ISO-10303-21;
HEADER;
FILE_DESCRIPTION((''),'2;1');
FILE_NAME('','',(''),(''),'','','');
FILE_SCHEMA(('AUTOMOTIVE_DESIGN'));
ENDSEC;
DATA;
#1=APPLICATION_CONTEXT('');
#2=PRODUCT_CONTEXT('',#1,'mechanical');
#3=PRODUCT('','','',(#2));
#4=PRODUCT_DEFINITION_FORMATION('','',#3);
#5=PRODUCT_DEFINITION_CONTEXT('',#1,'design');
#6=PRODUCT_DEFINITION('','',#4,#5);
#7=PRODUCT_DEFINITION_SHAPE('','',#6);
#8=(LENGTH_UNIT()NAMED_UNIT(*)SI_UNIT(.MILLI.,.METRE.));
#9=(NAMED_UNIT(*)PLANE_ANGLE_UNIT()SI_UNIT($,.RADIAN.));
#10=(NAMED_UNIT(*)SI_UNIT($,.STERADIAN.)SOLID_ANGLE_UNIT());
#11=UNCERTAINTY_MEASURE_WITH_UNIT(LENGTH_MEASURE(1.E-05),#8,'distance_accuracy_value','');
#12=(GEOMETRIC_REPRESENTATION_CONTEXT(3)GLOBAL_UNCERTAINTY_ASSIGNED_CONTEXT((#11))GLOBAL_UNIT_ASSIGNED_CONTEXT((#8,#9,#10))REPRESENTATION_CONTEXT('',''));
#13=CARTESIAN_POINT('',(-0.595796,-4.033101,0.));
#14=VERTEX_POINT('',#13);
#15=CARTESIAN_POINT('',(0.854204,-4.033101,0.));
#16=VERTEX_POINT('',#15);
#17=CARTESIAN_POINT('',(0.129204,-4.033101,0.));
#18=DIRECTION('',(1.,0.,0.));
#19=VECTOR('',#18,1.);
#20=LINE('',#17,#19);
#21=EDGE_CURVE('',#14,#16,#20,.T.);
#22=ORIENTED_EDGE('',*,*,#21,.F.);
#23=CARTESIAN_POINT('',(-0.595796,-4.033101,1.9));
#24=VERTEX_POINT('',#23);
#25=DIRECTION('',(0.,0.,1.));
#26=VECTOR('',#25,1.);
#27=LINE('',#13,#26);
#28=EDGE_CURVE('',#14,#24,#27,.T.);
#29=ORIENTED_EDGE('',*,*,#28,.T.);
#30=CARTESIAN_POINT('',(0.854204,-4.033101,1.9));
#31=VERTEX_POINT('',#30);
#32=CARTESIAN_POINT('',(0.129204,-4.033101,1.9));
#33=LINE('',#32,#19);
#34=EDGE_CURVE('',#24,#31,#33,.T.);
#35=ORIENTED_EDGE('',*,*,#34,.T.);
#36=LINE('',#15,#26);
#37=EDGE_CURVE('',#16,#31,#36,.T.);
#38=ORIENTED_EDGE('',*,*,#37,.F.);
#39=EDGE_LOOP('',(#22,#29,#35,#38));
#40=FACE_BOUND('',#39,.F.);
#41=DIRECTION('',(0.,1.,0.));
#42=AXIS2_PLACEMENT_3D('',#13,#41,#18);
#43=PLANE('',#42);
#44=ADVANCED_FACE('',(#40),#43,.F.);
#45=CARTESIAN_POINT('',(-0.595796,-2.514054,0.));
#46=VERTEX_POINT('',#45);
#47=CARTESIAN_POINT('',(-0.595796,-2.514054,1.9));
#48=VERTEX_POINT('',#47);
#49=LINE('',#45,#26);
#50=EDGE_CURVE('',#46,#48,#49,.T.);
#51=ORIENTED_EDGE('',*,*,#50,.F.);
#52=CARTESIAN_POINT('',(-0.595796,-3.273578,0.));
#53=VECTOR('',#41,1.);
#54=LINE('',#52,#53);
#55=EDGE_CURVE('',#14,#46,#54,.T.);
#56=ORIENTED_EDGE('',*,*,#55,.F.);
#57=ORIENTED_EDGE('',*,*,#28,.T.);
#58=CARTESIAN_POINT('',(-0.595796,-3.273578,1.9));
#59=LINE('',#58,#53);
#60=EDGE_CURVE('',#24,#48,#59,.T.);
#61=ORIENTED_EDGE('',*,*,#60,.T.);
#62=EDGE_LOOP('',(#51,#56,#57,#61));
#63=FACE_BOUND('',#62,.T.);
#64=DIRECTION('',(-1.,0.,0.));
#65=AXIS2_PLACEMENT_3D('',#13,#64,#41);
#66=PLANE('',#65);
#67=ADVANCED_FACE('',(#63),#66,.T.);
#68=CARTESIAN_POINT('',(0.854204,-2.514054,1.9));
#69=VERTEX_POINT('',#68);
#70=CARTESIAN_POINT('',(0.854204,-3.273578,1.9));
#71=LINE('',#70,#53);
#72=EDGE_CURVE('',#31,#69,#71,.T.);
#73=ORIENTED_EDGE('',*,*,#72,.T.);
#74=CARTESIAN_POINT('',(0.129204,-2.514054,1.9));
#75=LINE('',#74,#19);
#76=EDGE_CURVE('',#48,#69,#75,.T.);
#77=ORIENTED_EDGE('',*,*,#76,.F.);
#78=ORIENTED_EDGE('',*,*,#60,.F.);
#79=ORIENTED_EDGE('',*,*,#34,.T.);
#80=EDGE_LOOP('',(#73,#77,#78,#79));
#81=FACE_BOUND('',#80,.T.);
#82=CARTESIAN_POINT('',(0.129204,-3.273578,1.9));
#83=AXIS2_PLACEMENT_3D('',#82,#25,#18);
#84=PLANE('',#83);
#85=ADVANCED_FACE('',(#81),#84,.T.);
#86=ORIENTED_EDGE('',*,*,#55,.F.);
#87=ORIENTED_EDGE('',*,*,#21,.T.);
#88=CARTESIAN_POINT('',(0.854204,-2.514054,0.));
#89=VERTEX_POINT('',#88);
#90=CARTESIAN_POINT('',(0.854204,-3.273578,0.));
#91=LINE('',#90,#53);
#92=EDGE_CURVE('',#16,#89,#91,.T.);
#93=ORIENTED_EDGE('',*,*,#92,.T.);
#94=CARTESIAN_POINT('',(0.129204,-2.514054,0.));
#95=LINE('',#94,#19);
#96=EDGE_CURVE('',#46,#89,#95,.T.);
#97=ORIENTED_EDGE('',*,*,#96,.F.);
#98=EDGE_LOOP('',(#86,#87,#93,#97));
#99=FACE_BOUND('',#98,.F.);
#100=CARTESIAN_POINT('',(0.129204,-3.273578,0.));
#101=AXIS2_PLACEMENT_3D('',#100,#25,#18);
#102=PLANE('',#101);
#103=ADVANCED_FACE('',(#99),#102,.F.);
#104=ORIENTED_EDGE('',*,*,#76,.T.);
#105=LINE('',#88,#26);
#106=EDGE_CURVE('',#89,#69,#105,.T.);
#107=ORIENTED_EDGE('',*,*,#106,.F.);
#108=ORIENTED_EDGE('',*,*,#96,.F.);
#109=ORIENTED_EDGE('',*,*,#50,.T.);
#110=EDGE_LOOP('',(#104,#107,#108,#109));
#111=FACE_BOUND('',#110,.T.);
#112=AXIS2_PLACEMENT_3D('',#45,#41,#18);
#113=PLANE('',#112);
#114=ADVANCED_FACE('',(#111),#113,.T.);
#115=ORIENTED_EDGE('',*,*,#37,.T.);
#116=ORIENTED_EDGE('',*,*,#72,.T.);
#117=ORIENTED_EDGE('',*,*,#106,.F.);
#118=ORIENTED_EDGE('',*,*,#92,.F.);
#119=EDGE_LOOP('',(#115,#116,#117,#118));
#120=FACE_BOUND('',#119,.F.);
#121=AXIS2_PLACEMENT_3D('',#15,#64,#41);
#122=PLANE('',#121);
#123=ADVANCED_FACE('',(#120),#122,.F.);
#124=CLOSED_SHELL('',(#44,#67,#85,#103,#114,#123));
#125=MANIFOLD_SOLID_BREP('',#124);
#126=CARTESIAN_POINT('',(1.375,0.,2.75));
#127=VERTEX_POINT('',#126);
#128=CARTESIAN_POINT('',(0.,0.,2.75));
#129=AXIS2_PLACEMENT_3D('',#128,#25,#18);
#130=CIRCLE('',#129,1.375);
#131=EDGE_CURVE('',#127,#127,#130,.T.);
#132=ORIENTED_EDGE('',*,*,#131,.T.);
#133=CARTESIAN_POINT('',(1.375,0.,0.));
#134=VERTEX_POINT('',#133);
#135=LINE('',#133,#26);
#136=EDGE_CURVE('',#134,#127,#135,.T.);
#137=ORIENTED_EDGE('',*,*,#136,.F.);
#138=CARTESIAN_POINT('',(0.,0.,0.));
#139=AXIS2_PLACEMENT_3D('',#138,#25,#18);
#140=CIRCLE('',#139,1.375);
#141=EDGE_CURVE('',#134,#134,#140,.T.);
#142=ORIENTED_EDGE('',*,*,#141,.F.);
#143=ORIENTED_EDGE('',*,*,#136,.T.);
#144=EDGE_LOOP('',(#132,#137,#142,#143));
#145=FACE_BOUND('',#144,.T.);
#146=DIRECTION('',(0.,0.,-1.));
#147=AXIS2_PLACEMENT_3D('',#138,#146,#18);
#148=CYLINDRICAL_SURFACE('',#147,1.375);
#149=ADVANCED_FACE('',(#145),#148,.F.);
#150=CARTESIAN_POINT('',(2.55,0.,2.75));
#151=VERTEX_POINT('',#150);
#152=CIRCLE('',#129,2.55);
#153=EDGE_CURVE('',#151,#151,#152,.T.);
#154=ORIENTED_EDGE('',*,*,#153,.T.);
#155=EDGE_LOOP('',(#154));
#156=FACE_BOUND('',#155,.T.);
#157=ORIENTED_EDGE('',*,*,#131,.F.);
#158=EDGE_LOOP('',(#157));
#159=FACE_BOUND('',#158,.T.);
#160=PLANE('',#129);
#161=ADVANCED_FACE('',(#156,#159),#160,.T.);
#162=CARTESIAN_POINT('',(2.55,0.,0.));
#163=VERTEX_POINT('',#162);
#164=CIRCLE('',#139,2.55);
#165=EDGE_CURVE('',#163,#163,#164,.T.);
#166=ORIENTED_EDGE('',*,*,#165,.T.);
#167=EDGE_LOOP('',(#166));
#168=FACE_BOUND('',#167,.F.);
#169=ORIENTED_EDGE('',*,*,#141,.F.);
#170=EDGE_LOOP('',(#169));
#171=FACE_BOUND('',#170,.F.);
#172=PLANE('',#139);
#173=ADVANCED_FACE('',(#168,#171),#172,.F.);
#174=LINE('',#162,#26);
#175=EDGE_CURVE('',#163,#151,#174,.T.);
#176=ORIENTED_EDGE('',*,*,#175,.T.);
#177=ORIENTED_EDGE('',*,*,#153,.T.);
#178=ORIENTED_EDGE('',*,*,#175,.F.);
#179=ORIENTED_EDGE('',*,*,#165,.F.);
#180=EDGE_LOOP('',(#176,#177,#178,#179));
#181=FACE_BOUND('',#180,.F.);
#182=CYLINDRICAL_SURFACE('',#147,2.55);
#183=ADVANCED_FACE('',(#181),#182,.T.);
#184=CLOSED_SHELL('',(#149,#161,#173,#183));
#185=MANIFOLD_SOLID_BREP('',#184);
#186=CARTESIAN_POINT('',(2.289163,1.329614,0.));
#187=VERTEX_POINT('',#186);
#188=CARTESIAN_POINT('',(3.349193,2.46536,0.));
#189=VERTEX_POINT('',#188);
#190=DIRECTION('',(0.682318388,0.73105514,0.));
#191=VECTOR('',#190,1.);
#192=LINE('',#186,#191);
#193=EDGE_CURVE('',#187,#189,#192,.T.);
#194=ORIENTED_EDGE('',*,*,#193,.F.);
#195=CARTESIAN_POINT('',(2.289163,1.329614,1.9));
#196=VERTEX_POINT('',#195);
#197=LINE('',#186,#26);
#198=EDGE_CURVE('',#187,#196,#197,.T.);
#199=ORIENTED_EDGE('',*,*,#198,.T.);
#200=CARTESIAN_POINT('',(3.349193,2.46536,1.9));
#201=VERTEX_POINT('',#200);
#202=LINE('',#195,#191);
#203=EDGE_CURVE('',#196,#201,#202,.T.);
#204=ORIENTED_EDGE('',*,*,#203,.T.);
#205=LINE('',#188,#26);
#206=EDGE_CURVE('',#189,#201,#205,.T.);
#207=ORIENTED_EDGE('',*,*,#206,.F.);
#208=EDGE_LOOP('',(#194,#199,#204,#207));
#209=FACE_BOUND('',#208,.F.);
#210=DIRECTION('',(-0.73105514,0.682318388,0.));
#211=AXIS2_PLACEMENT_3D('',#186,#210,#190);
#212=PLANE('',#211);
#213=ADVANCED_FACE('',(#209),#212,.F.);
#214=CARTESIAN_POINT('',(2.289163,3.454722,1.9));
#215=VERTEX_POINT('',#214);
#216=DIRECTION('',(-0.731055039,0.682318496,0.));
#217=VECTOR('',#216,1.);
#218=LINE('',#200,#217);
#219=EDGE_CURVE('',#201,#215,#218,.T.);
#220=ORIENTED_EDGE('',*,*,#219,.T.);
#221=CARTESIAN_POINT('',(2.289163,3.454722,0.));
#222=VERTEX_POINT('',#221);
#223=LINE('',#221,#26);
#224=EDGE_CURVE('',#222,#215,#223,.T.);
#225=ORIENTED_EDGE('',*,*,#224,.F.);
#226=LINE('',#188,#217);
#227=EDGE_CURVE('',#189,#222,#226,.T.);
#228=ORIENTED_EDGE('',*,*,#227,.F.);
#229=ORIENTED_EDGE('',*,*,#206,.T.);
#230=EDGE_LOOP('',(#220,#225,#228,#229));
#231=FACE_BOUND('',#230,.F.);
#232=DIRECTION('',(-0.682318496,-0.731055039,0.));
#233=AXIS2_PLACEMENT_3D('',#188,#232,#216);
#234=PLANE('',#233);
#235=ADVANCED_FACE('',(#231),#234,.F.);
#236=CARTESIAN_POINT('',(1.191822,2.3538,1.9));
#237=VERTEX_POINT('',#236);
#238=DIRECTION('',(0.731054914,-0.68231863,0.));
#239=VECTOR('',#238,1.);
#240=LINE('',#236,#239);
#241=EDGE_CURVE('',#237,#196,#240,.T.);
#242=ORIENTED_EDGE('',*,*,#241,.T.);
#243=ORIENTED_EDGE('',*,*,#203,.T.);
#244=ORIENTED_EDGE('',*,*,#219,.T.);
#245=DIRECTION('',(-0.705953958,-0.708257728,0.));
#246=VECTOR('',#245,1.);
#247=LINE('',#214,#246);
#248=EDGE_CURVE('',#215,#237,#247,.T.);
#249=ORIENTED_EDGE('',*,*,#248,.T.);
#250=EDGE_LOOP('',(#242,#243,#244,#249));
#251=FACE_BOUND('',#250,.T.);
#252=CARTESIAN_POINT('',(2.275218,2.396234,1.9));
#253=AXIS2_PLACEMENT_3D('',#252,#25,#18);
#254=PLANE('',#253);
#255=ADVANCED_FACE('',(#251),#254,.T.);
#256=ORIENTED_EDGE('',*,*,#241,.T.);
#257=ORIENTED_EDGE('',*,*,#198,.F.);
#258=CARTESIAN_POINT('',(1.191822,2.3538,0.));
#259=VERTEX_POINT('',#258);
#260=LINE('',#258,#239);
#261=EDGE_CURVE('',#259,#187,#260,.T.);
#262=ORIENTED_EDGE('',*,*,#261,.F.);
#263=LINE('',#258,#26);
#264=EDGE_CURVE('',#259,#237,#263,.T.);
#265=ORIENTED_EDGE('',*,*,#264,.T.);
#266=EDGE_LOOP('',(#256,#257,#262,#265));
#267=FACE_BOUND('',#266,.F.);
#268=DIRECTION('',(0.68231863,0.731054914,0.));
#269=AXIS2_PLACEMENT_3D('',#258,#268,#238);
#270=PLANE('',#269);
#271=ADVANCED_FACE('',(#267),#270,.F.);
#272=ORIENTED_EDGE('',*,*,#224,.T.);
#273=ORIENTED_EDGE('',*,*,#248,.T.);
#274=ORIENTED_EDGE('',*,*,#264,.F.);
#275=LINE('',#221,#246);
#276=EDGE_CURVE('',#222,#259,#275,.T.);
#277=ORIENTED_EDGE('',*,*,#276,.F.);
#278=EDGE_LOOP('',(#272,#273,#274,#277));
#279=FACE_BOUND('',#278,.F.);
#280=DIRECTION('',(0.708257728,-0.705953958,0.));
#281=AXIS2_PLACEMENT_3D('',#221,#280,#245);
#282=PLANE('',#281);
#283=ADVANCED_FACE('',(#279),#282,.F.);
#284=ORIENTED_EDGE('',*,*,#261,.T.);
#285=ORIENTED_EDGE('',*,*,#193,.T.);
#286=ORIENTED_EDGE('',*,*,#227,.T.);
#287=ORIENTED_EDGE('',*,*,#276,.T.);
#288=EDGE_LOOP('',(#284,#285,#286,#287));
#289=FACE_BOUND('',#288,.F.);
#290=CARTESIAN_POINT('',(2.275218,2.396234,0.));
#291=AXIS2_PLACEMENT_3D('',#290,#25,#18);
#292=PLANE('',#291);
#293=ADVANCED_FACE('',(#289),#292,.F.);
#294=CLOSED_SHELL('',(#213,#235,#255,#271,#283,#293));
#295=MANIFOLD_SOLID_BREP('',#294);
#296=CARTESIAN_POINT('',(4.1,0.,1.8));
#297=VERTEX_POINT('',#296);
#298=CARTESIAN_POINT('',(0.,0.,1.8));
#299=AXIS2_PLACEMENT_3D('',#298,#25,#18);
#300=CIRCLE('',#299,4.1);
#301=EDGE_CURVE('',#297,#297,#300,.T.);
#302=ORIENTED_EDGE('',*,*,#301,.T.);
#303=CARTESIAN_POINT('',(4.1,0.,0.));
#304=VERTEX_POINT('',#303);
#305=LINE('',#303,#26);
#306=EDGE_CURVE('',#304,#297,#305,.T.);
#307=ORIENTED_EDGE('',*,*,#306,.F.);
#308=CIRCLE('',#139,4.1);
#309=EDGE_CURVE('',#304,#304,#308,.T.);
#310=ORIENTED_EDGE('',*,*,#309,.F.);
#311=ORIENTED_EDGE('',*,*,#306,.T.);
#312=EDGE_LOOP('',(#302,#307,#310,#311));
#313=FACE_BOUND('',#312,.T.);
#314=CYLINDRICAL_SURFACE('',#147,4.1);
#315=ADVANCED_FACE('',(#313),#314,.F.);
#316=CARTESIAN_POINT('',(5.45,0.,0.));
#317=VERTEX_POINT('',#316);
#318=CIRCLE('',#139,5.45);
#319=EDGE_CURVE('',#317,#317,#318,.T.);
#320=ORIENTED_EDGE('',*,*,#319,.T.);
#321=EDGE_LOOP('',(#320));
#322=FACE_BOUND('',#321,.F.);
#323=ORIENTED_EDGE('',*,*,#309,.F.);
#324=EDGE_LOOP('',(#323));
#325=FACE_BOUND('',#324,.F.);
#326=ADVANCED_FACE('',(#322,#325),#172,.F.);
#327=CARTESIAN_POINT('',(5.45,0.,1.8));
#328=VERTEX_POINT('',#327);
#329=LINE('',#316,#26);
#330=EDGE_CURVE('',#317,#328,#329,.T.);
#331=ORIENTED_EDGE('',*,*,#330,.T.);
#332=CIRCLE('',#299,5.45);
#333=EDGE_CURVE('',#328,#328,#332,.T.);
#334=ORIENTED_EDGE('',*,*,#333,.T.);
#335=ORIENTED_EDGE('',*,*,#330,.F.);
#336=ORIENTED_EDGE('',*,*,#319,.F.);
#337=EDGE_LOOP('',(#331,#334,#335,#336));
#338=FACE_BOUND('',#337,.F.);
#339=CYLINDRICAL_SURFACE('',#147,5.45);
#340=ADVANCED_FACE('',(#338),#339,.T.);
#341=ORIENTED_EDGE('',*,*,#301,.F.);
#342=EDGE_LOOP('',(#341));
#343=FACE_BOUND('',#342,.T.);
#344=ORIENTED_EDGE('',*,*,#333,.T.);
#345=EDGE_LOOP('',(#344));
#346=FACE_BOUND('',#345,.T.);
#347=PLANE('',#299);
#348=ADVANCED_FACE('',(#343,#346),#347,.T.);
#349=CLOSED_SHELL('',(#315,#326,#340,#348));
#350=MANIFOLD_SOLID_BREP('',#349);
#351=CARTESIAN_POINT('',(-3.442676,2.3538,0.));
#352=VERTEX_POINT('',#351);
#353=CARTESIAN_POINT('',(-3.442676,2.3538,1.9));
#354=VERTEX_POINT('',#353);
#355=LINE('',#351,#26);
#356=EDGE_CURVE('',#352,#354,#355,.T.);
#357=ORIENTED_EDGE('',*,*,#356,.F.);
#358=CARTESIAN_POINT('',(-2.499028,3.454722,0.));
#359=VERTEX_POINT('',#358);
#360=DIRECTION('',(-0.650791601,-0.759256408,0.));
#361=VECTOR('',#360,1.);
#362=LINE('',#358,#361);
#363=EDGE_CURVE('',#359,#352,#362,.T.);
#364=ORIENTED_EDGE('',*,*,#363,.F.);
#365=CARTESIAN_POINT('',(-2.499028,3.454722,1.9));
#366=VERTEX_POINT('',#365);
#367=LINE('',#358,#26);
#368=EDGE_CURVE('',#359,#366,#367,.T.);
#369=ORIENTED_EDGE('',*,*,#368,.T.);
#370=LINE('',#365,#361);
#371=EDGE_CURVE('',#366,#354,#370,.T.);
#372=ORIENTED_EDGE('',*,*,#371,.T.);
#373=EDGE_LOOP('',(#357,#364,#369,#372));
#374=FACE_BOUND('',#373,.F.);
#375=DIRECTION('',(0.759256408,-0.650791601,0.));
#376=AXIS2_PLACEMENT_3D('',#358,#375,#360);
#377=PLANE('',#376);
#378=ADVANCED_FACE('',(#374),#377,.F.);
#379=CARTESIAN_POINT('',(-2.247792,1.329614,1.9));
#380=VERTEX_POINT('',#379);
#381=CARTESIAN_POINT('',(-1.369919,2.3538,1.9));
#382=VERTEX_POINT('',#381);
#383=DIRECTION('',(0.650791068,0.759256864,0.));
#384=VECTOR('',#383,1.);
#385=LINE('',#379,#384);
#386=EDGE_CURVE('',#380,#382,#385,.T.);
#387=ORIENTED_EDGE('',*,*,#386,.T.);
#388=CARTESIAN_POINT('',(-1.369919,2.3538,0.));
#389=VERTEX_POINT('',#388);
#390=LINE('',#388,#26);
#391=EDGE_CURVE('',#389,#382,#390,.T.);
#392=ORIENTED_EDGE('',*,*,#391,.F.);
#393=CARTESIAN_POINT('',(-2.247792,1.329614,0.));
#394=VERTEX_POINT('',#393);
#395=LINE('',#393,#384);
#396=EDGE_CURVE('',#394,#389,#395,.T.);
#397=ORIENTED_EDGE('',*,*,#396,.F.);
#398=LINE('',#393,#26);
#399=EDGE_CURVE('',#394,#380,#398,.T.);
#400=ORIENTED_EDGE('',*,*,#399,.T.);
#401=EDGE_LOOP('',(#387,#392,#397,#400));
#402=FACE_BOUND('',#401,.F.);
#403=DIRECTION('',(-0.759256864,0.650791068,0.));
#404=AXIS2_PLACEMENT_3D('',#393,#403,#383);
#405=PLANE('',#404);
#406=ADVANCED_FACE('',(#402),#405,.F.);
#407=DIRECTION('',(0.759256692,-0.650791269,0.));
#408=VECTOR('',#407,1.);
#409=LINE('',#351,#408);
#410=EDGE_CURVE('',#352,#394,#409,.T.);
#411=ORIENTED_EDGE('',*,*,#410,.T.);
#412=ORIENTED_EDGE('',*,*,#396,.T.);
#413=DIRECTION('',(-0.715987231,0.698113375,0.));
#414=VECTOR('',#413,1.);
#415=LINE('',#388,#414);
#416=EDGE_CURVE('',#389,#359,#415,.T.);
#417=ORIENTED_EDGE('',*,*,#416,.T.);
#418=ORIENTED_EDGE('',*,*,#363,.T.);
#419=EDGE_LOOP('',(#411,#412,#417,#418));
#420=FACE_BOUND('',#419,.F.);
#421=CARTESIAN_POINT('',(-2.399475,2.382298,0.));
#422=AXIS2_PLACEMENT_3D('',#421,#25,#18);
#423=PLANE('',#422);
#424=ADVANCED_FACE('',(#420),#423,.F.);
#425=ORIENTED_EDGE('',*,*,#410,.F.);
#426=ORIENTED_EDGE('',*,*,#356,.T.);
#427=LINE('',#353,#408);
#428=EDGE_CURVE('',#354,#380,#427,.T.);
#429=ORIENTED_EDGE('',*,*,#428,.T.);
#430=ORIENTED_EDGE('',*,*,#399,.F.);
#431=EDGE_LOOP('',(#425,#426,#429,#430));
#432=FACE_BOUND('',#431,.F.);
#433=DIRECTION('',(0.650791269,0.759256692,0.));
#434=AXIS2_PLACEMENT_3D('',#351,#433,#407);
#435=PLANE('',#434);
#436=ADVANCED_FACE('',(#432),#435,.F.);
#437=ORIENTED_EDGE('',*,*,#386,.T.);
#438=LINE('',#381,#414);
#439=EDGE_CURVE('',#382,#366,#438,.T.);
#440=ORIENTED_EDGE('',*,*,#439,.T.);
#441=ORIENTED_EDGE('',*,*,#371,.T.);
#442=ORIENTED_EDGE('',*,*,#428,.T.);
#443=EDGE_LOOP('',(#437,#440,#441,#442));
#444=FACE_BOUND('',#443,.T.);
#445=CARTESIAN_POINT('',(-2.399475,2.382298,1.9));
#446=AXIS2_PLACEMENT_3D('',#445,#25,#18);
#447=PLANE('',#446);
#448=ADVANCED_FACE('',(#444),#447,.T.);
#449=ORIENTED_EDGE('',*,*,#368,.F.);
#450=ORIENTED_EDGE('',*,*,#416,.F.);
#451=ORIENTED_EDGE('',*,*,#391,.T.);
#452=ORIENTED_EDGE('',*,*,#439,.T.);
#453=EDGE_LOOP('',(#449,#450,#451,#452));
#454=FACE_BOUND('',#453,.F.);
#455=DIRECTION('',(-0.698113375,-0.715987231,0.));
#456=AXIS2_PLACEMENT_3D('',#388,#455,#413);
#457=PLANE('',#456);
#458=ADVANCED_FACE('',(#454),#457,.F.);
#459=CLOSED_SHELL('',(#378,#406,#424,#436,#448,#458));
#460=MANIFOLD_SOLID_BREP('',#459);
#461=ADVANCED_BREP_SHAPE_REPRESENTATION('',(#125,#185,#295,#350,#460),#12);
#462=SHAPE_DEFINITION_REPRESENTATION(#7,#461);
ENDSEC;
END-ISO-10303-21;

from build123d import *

# Parameters (mm, degrees)
F0_R     = 2.55
F0_R_2   = 1.375
F1_DEPTH = 2.75
F2_R     = 5.45
F2_R_2   = 4.1
F3_DEPTH = 1.8
F4_W     = 1.45
F4_H     = 1.519047
F5_DEPTH = 1.9


with BuildPart() as f1:
    # F0 (on Top) → F1 (new body)
    with BuildSketch(Plane.XY):
        Circle(F0_R)
        Circle(F0_R_2, mode=Mode.SUBTRACT)
    extrude(amount=F1_DEPTH)


with BuildPart() as f3:
    # F2 (on Top) → F3 (new body)
    with BuildSketch(Plane.XY):
        Circle(F2_R)
        Circle(F2_R_2, mode=Mode.SUBTRACT)
    extrude(amount=F3_DEPTH)


with BuildPart() as f5:
    # F4 (on Top) → F5 (new body)
    with BuildSketch(Plane.XY):
        with Locations((0.129204, -3.273578)):
            Rectangle(F4_W, F4_H)
        Polygon((2.289163, 3.454722), (1.191822, 2.3538), (2.289163, 1.329614), (3.349193, 2.46536), align=None)
        Polygon((-2.247792, 1.329614), (-1.369919, 2.3538), (-2.499028, 3.454722), (-3.442676, 2.3538), align=None)
    extrude(amount=F5_DEPTH)


solid = Compound([f1.part, f3.part, f5.part])
